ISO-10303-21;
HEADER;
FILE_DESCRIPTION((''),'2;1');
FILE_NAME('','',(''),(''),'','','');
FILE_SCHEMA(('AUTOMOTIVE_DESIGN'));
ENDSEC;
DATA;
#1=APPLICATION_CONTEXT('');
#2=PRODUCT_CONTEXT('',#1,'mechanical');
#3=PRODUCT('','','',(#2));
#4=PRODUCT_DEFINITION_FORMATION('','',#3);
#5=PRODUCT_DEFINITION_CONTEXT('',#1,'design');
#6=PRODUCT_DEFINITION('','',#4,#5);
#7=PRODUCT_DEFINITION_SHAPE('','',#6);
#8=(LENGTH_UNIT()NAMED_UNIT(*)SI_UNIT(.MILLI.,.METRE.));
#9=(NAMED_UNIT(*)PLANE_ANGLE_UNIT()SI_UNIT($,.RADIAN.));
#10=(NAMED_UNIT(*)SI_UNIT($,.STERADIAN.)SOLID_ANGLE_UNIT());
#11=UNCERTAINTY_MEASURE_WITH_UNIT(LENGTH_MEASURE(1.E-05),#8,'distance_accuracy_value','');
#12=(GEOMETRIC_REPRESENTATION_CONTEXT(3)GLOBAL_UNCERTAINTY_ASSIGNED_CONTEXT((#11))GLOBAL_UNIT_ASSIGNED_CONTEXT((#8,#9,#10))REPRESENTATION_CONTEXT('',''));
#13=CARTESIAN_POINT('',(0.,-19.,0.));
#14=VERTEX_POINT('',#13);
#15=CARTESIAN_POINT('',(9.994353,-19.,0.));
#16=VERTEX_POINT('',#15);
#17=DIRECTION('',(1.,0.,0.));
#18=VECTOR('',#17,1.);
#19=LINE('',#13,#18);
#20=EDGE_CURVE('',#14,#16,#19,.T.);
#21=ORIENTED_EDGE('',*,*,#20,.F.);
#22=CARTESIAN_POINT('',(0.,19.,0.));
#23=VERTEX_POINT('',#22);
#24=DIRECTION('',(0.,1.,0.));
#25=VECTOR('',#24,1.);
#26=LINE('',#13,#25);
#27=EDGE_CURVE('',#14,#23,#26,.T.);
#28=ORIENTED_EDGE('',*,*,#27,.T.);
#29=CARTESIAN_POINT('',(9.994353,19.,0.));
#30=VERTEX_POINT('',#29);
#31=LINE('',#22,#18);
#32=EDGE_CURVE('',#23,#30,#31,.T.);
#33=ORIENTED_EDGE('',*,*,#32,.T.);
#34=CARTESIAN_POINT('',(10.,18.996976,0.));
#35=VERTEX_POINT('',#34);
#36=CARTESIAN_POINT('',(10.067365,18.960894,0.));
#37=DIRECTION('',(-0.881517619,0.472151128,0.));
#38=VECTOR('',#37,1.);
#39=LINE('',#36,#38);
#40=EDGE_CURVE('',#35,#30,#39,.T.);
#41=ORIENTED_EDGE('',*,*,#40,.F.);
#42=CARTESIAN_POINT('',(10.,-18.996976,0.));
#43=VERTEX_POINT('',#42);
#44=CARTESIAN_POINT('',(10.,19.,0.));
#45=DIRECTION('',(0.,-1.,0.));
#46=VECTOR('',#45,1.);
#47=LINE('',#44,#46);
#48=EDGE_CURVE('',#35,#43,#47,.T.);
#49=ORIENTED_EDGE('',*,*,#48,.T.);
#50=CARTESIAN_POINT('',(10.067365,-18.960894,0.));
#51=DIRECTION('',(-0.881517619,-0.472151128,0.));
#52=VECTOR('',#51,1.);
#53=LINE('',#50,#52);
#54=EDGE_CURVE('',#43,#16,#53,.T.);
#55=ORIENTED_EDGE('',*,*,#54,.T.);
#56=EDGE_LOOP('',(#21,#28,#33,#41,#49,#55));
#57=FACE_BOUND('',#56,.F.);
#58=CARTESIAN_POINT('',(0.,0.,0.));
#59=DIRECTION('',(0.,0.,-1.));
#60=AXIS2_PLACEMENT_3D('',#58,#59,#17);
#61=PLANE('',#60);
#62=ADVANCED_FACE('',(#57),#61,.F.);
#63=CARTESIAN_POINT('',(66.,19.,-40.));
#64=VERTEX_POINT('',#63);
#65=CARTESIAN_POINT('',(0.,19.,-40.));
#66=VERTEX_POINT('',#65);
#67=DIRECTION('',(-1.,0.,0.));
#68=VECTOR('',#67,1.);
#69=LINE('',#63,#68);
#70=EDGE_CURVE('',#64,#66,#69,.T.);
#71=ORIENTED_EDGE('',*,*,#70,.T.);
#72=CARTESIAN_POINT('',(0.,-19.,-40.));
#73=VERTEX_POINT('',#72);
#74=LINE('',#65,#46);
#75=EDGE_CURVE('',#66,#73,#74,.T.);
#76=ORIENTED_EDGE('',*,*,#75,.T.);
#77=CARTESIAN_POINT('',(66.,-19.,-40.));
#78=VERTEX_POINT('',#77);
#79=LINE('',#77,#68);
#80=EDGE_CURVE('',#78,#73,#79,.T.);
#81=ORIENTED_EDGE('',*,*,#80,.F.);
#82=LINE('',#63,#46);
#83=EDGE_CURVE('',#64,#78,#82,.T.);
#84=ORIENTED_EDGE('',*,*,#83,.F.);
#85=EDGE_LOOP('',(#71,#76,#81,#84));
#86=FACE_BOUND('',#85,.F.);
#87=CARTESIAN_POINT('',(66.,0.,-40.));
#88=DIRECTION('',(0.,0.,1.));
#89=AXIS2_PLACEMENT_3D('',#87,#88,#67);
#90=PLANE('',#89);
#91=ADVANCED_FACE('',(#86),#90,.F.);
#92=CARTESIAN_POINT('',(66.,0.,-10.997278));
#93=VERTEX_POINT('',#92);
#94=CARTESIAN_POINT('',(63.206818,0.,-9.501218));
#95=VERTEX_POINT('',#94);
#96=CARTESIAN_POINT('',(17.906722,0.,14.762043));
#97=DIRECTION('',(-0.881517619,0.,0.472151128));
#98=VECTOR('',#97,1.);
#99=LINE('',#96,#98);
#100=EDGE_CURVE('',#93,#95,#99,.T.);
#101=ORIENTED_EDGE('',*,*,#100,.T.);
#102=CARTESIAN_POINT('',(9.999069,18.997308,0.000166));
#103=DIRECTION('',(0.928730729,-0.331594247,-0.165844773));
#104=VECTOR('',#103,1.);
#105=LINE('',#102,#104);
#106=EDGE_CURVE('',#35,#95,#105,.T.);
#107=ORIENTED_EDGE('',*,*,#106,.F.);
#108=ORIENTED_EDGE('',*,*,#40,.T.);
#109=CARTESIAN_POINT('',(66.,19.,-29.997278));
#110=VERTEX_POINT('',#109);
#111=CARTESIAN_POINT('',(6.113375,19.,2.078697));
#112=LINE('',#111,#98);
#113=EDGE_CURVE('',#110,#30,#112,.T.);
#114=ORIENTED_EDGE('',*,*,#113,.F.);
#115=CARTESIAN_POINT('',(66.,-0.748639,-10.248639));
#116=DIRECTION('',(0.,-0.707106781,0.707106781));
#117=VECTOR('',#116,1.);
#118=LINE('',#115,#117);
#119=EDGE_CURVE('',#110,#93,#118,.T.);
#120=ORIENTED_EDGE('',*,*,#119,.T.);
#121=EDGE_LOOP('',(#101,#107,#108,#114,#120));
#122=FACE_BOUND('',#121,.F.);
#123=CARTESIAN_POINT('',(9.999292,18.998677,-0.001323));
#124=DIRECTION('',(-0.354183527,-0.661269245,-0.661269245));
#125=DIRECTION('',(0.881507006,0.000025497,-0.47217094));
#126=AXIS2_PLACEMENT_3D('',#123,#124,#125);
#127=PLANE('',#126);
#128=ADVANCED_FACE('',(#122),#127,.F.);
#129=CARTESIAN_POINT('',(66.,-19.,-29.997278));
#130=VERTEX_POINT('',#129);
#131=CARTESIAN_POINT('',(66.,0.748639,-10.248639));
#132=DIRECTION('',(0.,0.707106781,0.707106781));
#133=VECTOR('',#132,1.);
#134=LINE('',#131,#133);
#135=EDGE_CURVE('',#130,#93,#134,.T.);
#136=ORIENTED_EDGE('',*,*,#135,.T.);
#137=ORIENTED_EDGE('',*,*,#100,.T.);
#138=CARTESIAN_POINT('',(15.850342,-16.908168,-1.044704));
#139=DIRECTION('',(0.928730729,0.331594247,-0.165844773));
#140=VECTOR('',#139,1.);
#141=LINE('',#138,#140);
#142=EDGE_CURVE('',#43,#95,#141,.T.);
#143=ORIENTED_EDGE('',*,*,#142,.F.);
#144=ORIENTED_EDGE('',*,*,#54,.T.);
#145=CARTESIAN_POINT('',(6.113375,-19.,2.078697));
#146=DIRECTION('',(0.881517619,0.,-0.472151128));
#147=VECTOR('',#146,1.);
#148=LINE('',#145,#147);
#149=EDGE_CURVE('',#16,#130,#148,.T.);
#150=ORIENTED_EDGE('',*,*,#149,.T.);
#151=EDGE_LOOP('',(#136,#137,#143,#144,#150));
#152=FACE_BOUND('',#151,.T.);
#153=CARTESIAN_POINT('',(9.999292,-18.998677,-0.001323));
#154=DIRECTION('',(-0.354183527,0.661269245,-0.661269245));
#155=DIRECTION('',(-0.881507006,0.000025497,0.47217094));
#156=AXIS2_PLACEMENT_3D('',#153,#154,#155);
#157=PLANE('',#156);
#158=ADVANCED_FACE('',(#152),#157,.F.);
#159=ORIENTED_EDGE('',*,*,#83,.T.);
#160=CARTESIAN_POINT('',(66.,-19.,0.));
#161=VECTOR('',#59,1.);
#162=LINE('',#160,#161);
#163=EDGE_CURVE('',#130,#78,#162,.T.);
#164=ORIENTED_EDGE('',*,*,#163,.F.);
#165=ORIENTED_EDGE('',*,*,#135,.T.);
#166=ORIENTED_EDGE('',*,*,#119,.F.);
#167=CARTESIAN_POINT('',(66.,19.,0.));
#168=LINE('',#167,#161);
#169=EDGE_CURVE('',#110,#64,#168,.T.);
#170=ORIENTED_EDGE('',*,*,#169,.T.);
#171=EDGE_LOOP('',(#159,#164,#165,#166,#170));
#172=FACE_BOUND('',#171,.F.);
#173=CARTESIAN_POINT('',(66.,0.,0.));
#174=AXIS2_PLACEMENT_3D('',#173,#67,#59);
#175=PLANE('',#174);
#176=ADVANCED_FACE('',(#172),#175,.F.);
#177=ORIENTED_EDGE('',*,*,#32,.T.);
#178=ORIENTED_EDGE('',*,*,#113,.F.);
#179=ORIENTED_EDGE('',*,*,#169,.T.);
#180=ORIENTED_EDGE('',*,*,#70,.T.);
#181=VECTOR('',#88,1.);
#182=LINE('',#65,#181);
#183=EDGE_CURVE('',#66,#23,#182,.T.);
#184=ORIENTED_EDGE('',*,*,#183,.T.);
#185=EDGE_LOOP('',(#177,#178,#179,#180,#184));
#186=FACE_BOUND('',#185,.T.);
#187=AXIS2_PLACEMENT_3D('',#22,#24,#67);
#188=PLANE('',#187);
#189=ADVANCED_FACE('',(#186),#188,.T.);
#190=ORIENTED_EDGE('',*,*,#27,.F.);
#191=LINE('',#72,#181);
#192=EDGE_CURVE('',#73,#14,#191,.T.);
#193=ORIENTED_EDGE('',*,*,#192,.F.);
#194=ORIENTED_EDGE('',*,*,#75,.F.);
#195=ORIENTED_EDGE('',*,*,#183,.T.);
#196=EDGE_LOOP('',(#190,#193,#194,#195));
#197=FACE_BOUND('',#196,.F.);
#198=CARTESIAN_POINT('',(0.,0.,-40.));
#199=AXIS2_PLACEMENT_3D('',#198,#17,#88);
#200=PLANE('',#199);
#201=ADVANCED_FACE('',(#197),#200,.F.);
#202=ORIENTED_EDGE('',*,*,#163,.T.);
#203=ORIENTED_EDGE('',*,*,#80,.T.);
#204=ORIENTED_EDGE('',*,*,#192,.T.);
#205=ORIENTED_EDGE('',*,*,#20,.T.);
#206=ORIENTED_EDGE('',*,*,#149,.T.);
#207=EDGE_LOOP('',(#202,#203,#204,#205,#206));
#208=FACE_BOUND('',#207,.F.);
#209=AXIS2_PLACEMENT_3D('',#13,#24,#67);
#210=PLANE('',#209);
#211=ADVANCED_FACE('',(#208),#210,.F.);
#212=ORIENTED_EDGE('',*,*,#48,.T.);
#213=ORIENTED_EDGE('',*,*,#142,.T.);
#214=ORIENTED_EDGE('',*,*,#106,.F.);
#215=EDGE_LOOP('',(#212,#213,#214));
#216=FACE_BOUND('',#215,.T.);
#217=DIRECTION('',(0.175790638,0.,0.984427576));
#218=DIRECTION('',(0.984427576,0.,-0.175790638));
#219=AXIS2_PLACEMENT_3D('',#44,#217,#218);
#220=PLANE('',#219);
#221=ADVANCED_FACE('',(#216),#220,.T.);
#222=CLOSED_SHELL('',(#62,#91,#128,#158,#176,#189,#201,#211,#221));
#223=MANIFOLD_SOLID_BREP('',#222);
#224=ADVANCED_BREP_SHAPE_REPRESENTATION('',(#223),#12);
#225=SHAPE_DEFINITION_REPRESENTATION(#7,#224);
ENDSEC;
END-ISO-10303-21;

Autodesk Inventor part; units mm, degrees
ref_plane "YZ Plane" through (0, 0, 0) normal (1, 0, 0) x (0, 1, 0)
ref_plane "XZ Plane" through (0, 0, 0) normal (0, 1, 0) x (-1, 0, 0)
sketch "草圖1" plane through (0, 0, 0) normal (0, 1, 0) x (-1, 0, 0)
  line L0 (0, 0) -> (-66, 0)
  line L1 (-66, 0) -> (-66, -40)
  line L2 (-66, -40) -> (0, -40)
  line L3 (0, -40) -> (0, 0)
  dimension "d0" = 66
  dimension "d1" = 40
extrude "擠出1" add sketch "草圖1" along normal mid plane 38
sketch "草圖2" plane through (0, 19, 0) normal (0, 1, 0) x (1, 0, 0)
  line L0 (0, 0) -> (66, 0) projected
  line L1 (10, 0) -> (66, 10)
  line L2 (66, 0) -> (66, 40) projected
  dimension "d4" = 10
  dimension "d5" = 30
extrude "擠出2" cut sketch "草圖2" against normal blind 40
sketch "草圖3" plane through (66, -19, -40) normal (1, 0, 0) x (0, 0, -1)
  line L0 (-30, 18) -> (-10, 38)
  line L1 (0, 38) -> (-40, 38) projected
  line L2 (-30, 38) -> (-30, 0) projected
  point P0 (-40, 19)
  dimension "d8" = 20
  dimension "d9" = 20
ref_plane "工作平面1" through (10, 19, 0) normal (-0.3542, -0.6613, -0.6613) x (0.8815, 0, -0.4722)
sketch "草圖4" plane through (10, 19, 0) normal (-0.3542, -0.6613, -0.6613) x (0.8815, 0, -0.4722)
  line L0 (-15.1543, -12.3218) -> (93.717, -12.3218)
  line L1 (93.717, -12.3218) -> (93.717, 28.8166)
  line L2 (93.717, 28.8166) -> (-15.1543, 28.8166)
  line L3 (-15.1543, 28.8166) -> (-15.1543, -12.3218)
  point P0 (-8.8148, 11.1305)
extrude "擠出3" cut sketch "草圖4" against normal blind 40
mirror "鏡射1" about plane through (0, 0, 0) normal (0, 1, 0) of "擠出3"
properties part number "35"
